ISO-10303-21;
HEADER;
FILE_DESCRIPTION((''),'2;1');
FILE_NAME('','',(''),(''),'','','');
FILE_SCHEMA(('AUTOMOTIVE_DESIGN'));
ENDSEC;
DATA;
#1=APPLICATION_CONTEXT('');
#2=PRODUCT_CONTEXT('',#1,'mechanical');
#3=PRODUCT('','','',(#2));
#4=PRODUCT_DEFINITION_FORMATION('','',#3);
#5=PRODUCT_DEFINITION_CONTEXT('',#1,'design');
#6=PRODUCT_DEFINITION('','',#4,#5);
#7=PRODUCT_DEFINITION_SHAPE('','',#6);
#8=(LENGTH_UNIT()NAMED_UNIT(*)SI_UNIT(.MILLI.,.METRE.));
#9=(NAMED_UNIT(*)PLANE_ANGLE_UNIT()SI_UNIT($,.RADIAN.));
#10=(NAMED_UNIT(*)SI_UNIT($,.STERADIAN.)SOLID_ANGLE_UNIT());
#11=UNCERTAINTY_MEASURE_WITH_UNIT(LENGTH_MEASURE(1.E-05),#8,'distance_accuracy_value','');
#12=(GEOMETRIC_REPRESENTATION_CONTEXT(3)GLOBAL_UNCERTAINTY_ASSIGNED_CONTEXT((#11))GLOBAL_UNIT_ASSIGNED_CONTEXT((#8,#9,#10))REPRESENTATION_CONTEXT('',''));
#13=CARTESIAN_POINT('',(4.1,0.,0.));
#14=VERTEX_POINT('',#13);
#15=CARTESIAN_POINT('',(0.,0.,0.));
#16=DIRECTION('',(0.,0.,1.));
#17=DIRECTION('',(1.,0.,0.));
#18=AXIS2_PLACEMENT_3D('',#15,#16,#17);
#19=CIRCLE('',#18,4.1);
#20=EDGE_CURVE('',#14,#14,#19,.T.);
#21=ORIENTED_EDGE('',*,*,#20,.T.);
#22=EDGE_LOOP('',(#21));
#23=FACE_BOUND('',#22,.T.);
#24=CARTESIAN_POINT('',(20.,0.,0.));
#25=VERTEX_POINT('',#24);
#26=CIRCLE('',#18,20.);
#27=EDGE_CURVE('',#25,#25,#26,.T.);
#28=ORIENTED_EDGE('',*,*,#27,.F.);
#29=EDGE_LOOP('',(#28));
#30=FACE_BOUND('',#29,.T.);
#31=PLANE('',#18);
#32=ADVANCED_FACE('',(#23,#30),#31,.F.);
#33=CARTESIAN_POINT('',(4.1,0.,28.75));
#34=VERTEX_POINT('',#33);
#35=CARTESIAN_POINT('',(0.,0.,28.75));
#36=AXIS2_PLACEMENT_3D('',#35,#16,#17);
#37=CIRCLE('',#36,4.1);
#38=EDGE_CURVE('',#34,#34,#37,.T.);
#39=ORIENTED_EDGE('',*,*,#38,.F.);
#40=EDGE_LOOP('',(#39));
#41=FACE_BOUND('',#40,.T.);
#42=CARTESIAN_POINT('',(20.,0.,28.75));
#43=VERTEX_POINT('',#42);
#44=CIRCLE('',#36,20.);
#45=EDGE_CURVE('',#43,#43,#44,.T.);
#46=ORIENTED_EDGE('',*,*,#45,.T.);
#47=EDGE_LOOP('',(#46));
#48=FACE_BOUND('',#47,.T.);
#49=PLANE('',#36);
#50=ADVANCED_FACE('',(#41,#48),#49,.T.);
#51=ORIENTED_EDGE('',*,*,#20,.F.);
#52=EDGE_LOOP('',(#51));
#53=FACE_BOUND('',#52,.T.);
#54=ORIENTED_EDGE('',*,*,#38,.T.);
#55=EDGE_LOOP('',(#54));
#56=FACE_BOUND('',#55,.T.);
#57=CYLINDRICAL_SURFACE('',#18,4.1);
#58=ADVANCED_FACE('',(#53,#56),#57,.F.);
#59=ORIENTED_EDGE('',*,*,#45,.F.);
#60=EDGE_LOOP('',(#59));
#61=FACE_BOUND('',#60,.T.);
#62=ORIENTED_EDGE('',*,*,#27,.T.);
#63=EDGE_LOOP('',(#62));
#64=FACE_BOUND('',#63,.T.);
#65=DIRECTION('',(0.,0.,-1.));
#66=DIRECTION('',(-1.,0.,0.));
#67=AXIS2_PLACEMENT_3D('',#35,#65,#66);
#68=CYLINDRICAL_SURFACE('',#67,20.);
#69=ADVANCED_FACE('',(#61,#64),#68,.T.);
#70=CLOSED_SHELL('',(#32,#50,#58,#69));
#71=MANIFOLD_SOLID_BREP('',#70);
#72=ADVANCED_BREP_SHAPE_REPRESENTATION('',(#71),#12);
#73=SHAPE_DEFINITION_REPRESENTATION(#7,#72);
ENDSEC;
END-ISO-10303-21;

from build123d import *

# Parameters (mm, degrees)
SKETCH1_R           = 20
BOSS_EXTRUDE1_DEPTH = 28.75
SKETCH3_R           = 4.1
CUT_EXTRUDE1_DEPTH  = 29.75


with BuildPart() as part:
    # Sketch1 → Boss-Extrude1 (new body)
    with BuildSketch(Plane.XY):
        Circle(SKETCH1_R)
    extrude(amount=BOSS_EXTRUDE1_DEPTH)

    # Sketch3 → Cut-Extrude1 (cut, through all)
    with BuildSketch(Plane.XY.offset(28.75)):
        Circle(SKETCH3_R)
    extrude(amount=-CUT_EXTRUDE1_DEPTH, mode=Mode.SUBTRACT)


solid = part.part
